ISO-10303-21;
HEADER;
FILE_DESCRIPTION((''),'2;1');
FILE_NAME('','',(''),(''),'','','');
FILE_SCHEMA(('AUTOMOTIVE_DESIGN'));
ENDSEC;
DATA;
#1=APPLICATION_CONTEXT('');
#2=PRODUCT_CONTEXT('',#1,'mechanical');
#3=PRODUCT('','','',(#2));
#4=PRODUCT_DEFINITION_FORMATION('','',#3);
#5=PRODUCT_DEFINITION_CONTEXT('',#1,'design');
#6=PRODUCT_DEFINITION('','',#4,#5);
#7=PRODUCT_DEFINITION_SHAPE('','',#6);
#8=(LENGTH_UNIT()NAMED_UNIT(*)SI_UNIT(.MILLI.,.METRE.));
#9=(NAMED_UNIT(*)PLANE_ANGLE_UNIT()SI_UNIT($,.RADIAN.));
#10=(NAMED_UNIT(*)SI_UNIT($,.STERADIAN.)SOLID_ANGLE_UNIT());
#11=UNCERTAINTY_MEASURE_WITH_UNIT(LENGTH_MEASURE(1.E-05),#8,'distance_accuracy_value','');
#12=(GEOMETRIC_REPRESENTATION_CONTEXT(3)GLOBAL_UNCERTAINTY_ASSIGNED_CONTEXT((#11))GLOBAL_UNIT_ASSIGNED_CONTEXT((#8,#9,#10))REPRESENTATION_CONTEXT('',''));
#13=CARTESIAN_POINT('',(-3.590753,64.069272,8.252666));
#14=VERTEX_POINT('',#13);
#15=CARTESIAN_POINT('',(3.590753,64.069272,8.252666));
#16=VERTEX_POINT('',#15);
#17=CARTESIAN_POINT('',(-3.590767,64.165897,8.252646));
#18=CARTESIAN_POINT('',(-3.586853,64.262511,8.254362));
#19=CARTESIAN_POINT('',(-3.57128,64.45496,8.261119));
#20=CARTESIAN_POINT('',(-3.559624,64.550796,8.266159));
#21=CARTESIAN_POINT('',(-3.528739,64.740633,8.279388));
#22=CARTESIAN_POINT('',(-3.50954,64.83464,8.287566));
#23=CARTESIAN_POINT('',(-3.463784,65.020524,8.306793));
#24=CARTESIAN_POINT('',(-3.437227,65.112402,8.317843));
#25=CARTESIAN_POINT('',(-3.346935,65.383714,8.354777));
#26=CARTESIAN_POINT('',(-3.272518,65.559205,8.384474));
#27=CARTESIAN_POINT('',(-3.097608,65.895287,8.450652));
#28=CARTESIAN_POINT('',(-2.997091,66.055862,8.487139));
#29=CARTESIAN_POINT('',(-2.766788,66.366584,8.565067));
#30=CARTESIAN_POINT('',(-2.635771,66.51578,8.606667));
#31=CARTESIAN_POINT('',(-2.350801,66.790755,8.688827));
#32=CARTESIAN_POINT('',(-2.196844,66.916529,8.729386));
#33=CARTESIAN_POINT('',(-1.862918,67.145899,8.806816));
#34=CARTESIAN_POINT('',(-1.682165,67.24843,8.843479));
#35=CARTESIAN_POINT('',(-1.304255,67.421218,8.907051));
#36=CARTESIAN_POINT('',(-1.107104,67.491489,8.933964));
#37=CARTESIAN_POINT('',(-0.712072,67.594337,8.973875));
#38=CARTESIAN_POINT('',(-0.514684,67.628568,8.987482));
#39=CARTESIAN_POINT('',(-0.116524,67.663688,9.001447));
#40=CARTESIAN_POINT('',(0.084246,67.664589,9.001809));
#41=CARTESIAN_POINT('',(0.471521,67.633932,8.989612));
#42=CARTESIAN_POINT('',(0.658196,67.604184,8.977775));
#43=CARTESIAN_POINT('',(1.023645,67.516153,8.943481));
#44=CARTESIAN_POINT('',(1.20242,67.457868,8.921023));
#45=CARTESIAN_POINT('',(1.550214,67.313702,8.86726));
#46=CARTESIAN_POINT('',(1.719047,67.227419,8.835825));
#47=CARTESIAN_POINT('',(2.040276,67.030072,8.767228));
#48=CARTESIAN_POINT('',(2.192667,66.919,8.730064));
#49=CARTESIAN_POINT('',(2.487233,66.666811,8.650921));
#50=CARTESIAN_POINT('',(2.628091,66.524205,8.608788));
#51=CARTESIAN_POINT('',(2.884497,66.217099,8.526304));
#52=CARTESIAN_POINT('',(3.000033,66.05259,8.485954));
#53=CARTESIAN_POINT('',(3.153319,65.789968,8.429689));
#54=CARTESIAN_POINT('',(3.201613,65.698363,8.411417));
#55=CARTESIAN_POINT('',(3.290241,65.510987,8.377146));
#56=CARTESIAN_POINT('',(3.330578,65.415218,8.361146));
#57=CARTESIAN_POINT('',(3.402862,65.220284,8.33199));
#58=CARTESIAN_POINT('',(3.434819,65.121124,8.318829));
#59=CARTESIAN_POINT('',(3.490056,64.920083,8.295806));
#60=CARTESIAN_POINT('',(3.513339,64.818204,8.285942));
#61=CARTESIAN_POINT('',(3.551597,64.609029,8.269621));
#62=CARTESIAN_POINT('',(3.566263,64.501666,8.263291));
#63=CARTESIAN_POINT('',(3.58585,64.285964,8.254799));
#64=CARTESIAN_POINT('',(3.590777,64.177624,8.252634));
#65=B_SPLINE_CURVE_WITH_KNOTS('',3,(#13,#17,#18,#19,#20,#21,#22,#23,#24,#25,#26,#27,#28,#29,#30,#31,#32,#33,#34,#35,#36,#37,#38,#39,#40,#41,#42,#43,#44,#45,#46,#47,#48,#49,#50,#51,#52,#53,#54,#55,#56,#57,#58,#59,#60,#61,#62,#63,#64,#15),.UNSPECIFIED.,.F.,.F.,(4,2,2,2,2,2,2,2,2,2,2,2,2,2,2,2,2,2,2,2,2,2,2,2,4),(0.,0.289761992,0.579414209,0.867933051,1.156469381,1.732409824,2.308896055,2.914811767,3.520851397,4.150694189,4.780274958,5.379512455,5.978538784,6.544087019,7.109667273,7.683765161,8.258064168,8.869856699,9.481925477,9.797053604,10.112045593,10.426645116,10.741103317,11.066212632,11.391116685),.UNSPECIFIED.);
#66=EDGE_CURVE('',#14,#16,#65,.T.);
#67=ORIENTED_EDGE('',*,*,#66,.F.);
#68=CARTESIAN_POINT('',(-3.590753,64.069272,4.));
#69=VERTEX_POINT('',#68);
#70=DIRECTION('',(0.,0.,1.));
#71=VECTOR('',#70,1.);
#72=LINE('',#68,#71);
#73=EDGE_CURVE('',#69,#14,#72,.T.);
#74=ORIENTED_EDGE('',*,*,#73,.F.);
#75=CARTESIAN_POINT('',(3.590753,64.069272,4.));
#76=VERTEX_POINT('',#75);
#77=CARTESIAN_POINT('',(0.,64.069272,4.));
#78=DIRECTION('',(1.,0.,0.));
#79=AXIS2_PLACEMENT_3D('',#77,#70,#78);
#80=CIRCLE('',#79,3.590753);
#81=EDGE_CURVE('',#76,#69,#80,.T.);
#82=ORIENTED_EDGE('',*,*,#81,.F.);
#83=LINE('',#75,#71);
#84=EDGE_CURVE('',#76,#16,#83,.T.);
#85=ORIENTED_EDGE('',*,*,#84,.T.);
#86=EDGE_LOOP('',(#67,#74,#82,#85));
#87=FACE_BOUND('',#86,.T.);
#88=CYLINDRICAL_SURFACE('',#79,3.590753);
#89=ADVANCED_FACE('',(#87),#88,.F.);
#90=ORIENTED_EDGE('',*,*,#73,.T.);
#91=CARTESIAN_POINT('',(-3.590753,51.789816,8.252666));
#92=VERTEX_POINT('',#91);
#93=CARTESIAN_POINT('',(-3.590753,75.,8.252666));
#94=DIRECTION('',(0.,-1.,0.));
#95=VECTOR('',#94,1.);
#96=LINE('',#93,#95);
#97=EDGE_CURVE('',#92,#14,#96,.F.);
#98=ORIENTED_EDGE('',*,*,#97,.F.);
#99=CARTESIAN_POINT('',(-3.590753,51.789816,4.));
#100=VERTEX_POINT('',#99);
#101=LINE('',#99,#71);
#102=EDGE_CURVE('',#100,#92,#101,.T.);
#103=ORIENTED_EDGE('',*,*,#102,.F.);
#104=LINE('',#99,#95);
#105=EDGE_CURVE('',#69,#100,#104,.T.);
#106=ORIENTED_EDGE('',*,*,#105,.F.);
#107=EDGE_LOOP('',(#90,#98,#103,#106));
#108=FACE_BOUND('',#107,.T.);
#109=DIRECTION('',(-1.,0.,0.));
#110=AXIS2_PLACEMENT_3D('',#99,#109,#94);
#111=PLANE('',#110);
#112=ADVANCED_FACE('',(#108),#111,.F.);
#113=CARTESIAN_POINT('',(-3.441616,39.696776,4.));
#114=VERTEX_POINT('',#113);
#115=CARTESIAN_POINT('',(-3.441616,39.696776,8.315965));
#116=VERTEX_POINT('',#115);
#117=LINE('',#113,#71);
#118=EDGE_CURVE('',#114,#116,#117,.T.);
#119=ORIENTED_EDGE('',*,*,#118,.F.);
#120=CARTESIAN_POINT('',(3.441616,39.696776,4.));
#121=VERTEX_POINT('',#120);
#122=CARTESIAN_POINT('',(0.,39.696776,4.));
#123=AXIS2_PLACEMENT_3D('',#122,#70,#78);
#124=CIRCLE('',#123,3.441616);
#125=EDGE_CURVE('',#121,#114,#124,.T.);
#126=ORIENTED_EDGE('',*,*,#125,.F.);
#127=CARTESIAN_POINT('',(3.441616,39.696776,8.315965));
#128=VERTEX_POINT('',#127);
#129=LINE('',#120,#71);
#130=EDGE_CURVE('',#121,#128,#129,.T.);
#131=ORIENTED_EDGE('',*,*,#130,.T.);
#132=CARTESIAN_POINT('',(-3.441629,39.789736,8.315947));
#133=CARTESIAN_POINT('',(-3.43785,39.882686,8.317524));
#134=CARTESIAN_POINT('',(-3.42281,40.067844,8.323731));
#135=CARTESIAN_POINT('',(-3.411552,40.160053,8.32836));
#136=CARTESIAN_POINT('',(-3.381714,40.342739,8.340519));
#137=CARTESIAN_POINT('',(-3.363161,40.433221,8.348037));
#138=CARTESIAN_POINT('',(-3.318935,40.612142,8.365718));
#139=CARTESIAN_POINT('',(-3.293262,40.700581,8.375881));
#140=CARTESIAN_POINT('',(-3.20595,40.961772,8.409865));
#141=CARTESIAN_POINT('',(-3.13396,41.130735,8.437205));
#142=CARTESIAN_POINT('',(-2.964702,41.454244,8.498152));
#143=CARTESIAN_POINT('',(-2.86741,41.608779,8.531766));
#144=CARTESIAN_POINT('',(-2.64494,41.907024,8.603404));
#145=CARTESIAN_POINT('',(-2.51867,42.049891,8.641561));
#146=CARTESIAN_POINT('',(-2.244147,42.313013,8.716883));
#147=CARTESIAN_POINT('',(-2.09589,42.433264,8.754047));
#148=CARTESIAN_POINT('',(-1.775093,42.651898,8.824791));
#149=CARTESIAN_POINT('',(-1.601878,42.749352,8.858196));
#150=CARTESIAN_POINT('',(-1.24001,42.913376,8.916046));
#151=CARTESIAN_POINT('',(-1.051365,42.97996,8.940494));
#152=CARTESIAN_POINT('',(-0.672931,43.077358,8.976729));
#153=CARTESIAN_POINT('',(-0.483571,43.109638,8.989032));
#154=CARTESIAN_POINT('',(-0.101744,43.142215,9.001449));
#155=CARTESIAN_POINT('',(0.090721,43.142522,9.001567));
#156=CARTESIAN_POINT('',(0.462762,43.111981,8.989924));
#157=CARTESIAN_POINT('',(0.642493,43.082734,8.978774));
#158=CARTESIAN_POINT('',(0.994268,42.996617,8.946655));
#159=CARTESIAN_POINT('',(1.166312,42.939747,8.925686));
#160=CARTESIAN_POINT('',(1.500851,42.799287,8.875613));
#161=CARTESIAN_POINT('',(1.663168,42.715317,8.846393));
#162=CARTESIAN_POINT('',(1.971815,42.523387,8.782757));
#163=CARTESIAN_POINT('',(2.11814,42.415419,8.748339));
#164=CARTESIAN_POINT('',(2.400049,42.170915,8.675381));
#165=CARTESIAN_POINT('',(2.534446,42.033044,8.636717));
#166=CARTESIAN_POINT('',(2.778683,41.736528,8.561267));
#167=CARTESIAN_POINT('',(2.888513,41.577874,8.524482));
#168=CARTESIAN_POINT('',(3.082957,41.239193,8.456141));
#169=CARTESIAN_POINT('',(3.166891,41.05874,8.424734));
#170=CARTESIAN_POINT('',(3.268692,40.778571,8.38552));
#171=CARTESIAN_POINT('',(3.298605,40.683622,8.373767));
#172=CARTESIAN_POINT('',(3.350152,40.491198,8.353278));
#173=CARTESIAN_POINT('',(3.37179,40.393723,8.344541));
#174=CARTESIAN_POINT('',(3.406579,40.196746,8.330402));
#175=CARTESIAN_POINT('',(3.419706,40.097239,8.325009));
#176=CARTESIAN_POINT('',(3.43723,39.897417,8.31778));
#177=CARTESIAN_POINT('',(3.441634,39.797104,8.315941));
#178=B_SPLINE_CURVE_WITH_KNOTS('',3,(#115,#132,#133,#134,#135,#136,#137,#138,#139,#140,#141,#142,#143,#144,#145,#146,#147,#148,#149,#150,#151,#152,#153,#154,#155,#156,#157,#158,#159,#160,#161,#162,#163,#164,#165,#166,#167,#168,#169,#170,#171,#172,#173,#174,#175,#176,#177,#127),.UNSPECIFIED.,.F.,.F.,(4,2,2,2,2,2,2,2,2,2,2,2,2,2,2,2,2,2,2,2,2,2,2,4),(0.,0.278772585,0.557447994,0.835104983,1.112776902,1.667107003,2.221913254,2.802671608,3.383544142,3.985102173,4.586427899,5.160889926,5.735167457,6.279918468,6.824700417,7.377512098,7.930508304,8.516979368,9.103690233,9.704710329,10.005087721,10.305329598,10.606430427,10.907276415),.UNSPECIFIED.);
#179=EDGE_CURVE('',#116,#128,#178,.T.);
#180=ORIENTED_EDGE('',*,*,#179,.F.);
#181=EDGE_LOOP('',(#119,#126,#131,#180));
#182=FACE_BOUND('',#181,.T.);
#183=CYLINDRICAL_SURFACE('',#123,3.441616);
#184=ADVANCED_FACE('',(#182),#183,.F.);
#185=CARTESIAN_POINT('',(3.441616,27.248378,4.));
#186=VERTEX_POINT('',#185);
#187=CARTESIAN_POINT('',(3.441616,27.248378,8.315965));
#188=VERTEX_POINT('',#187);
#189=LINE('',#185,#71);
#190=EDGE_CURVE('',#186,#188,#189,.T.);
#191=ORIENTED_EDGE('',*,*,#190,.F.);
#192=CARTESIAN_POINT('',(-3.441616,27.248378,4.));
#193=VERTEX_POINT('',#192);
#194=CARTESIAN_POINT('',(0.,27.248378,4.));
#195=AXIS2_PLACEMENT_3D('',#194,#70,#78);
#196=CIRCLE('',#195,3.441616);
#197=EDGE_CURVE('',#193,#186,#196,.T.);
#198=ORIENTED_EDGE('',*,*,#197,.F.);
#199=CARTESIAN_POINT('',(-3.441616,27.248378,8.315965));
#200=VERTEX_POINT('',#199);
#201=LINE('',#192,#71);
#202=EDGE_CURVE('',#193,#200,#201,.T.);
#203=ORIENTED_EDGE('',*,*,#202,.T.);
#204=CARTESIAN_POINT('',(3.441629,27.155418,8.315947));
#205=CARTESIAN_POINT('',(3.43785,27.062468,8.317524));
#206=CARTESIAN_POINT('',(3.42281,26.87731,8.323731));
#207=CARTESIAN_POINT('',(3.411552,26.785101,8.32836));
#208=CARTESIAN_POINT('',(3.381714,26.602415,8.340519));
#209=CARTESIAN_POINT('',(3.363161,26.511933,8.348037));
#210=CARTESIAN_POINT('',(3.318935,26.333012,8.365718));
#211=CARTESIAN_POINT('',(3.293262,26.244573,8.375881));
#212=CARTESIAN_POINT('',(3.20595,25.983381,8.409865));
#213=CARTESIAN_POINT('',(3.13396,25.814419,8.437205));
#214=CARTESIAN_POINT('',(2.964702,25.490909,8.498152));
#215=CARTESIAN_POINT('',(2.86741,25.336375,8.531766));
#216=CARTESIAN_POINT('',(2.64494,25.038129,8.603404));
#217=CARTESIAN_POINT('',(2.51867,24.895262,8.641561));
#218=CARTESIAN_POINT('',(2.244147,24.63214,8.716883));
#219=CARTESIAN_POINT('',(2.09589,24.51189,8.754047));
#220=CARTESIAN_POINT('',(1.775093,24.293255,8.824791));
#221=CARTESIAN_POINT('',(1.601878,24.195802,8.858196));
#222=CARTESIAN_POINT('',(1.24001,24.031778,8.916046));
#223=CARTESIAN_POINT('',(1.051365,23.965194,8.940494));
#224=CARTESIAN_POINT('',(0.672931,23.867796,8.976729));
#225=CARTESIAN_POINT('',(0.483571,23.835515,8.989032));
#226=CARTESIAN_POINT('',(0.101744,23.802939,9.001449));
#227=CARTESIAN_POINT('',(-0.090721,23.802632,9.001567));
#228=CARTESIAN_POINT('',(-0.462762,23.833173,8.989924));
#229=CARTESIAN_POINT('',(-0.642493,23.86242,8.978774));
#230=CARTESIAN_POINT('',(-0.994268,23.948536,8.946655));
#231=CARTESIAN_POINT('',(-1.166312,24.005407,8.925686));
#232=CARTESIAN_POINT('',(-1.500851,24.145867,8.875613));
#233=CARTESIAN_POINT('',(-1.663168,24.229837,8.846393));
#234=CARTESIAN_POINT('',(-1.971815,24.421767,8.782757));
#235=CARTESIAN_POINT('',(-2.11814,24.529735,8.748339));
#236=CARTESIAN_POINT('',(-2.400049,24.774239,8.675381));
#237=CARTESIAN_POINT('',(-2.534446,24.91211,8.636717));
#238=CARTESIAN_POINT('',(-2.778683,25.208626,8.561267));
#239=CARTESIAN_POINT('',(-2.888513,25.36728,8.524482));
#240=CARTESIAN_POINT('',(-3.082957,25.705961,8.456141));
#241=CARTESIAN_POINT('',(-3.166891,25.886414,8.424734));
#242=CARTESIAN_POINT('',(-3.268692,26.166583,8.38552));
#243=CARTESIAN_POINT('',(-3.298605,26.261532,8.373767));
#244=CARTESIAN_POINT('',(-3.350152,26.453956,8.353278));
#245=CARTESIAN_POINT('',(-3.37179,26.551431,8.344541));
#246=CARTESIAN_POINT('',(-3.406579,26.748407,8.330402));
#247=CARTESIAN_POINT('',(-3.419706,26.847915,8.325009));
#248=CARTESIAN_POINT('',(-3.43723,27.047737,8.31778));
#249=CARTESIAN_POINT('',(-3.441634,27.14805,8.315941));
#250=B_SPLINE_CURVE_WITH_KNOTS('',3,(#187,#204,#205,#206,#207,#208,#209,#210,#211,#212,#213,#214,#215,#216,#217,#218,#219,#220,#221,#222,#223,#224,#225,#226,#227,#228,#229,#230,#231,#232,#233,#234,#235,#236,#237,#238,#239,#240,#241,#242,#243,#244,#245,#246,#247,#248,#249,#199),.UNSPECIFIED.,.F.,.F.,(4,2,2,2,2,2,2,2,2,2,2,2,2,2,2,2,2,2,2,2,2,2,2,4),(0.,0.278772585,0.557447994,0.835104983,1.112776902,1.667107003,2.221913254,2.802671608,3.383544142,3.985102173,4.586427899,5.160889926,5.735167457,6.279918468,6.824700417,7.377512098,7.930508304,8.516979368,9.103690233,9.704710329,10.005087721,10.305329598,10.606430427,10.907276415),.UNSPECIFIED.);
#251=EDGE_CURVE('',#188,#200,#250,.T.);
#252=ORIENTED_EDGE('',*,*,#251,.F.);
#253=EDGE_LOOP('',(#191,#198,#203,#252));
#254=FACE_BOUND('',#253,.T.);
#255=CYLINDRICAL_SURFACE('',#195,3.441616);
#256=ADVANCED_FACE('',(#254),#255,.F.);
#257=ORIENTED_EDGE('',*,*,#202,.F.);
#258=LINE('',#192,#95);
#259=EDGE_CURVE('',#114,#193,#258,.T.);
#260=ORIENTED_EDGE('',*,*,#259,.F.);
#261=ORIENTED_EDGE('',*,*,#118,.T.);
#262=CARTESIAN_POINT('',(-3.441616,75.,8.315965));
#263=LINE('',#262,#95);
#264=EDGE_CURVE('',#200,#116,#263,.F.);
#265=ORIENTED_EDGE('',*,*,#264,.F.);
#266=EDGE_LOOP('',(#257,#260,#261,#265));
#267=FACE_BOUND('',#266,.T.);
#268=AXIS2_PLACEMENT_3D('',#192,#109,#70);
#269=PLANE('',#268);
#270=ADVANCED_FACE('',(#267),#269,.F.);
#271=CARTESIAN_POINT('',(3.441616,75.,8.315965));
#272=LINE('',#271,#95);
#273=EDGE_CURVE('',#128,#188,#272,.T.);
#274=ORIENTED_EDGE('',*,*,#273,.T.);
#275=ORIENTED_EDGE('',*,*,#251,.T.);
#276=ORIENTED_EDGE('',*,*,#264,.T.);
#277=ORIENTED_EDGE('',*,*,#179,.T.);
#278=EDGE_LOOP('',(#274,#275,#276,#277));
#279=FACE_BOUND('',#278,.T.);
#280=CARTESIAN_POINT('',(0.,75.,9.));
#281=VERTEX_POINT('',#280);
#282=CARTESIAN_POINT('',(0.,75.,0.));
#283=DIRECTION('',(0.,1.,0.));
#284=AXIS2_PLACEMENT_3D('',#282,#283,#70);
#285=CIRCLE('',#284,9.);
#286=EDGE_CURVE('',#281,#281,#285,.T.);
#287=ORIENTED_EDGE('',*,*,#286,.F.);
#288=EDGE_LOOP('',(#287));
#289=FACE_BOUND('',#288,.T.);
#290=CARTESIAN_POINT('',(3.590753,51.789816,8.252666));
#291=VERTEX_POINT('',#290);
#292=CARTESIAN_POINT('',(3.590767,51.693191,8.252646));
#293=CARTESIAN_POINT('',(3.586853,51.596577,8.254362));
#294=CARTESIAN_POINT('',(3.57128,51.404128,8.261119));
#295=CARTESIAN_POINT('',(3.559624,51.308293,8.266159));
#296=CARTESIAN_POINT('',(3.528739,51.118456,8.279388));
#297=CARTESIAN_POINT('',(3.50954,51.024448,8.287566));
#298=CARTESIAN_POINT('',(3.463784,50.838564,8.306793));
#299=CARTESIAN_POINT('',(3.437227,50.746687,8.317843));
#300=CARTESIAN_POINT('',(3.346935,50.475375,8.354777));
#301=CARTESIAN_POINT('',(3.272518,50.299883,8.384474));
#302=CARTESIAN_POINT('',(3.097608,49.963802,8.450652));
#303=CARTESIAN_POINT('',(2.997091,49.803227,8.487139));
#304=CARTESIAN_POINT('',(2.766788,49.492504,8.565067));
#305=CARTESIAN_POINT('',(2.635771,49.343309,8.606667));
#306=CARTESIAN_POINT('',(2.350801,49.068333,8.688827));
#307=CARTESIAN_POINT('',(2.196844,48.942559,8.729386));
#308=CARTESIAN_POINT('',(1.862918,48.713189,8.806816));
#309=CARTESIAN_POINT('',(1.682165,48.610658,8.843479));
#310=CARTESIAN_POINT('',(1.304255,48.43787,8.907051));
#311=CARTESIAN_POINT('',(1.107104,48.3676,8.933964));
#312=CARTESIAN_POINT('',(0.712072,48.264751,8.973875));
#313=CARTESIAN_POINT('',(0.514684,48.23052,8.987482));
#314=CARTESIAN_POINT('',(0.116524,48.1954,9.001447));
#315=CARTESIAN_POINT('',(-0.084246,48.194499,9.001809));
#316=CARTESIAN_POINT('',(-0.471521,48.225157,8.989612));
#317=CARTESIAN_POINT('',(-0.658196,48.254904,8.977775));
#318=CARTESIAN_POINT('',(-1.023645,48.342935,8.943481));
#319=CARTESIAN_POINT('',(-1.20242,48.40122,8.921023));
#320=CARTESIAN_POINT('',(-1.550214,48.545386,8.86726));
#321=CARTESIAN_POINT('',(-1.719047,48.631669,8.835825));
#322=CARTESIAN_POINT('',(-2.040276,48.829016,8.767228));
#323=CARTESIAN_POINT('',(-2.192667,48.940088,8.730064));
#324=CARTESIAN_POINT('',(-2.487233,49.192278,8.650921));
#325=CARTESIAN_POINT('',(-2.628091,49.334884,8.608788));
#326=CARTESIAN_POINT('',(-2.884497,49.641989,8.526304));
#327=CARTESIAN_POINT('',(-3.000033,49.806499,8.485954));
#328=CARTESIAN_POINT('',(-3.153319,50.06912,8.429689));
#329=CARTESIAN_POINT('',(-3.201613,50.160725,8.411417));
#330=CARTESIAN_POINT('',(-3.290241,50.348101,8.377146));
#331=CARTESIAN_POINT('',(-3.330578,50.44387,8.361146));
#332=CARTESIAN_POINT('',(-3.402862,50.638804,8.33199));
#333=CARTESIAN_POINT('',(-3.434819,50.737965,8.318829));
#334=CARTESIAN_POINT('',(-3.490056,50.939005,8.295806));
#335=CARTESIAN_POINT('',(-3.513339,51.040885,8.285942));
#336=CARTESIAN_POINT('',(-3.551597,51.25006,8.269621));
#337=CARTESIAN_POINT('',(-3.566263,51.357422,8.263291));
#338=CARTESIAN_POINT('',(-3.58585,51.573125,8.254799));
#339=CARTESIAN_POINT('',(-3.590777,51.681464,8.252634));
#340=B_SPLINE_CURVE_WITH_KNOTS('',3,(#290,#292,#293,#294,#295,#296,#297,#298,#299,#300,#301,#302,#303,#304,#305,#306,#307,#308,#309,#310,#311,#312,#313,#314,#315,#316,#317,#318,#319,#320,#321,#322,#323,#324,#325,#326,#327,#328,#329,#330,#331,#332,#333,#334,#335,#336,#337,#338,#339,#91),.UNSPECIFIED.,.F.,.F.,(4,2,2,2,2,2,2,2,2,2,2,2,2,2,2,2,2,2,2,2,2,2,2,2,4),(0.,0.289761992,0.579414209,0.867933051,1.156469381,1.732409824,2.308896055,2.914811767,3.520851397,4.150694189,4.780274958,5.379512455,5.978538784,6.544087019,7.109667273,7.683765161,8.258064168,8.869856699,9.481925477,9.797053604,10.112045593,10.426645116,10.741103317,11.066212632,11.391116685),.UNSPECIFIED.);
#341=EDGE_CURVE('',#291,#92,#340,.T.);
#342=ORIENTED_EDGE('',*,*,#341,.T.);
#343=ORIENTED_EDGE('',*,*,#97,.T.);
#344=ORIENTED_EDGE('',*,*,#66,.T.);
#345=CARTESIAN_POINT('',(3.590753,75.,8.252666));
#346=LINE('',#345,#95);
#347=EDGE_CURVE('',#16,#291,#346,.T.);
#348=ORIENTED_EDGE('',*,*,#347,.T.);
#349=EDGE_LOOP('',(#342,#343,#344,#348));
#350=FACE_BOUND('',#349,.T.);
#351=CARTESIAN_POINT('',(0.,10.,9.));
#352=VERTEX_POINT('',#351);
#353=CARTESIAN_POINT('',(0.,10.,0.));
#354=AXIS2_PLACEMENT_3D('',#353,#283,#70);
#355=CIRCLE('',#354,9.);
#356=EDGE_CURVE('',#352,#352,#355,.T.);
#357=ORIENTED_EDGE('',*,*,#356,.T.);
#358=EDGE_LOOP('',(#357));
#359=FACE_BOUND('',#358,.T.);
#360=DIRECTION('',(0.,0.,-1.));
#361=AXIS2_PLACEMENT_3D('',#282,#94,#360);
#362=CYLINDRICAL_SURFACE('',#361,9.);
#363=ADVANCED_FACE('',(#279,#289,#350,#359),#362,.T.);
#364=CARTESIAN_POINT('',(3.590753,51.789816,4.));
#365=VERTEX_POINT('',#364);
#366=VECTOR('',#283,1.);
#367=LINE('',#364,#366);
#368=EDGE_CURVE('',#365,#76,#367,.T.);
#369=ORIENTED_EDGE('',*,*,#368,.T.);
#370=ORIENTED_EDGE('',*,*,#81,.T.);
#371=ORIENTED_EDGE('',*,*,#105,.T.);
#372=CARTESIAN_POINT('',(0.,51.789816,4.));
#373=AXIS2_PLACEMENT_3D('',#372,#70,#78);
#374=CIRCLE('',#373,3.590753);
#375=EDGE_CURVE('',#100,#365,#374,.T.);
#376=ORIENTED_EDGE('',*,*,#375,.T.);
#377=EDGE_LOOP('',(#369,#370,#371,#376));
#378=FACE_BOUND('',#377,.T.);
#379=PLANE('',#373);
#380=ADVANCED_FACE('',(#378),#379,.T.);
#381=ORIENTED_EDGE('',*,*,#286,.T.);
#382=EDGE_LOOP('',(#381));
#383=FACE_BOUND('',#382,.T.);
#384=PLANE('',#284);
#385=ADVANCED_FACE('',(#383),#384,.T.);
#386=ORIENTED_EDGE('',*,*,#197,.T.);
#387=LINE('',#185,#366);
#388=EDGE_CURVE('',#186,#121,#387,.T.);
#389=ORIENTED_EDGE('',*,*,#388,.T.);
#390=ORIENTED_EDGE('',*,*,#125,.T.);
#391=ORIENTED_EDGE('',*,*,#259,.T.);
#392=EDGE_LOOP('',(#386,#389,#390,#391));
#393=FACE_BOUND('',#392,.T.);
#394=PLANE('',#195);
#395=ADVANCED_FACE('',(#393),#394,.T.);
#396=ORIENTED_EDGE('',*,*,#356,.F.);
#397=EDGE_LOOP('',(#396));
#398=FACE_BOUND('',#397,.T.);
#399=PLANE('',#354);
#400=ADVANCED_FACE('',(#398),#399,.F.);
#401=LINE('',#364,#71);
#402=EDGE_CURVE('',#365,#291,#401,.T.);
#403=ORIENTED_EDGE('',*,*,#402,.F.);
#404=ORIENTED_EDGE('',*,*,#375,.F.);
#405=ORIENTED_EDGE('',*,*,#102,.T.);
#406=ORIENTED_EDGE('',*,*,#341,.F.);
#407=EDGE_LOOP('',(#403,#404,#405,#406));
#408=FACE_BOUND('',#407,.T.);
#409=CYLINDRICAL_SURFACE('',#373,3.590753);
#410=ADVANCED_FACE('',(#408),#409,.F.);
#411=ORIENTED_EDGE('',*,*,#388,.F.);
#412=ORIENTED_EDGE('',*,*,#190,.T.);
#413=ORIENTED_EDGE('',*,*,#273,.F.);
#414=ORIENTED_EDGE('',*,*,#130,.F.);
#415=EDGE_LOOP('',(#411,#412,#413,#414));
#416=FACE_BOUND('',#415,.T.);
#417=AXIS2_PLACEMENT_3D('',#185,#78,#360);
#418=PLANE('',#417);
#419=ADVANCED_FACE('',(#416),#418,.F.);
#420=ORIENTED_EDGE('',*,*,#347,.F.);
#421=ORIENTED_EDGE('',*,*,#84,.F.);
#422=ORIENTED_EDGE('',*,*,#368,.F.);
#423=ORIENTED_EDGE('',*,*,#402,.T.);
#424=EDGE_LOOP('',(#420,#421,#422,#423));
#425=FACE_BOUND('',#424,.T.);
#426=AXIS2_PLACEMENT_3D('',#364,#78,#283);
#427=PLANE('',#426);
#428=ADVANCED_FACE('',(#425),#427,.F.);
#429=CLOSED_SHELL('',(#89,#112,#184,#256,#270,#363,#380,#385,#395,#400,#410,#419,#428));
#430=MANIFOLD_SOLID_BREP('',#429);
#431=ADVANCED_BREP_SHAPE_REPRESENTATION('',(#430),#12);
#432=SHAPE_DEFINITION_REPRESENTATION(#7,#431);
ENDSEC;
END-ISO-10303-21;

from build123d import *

# Parameters (mm, degrees)
SKETCH_2_R          = 9
EXTRUDE_1_DEPTH     = 65
CUT_EXTRUDE_START   = 9
CUT_EXTRUDE_1_DEPTH = 5
CUT_EXTRUDE_2_DEPTH = 5


with BuildPart() as part:
    # 草图2 → 凸台-拉伸1 (new body)
    with BuildSketch(Plane(origin=(0, 10, 0), x_dir=(1, 0, 0), z_dir=(0, 1, 0))):
        with Locations(Location((0, 0, 0), (0, 0, 270))):
            Circle(SKETCH_2_R)
    extrude(amount=EXTRUDE_1_DEPTH)

    # 草图4 → 切除-拉伸1 (cut)
    with BuildSketch(Plane.XY.offset(CUT_EXTRUDE_START)):
        with BuildLine():
            Line((-3.441616095, 27.248377589), (-3.441616095, 39.696776231))
            ThreePointArc((-3.441616095, 39.696776231), (0, 43.138392326), (3.441616095, 39.696776231))
            Line((3.441616095, 39.696776231), (3.441616095, 27.248377589))
            ThreePointArc((3.441616095, 27.248377589), (0, 23.806761494), (-3.441616095, 27.248377589))
        make_face()
    extrude(amount=-CUT_EXTRUDE_1_DEPTH, mode=Mode.SUBTRACT)

    # 草图5 → 切除-拉伸2 (cut)
    with BuildSketch(Plane.XY.offset(9)):
        with BuildLine():
            Line((-3.590752792, 51.789816315), (-3.590752792, 64.069272059))
            ThreePointArc((-3.590752792, 64.069272059), (0, 67.660024851), (3.590752792, 64.069272059))
            Line((3.590752792, 64.069272059), (3.590752792, 51.789816315))
            ThreePointArc((3.590752792, 51.789816315), (0, 48.199063523), (-3.590752792, 51.789816315))
        make_face()
    extrude(amount=-CUT_EXTRUDE_2_DEPTH, mode=Mode.SUBTRACT)


solid = part.part
